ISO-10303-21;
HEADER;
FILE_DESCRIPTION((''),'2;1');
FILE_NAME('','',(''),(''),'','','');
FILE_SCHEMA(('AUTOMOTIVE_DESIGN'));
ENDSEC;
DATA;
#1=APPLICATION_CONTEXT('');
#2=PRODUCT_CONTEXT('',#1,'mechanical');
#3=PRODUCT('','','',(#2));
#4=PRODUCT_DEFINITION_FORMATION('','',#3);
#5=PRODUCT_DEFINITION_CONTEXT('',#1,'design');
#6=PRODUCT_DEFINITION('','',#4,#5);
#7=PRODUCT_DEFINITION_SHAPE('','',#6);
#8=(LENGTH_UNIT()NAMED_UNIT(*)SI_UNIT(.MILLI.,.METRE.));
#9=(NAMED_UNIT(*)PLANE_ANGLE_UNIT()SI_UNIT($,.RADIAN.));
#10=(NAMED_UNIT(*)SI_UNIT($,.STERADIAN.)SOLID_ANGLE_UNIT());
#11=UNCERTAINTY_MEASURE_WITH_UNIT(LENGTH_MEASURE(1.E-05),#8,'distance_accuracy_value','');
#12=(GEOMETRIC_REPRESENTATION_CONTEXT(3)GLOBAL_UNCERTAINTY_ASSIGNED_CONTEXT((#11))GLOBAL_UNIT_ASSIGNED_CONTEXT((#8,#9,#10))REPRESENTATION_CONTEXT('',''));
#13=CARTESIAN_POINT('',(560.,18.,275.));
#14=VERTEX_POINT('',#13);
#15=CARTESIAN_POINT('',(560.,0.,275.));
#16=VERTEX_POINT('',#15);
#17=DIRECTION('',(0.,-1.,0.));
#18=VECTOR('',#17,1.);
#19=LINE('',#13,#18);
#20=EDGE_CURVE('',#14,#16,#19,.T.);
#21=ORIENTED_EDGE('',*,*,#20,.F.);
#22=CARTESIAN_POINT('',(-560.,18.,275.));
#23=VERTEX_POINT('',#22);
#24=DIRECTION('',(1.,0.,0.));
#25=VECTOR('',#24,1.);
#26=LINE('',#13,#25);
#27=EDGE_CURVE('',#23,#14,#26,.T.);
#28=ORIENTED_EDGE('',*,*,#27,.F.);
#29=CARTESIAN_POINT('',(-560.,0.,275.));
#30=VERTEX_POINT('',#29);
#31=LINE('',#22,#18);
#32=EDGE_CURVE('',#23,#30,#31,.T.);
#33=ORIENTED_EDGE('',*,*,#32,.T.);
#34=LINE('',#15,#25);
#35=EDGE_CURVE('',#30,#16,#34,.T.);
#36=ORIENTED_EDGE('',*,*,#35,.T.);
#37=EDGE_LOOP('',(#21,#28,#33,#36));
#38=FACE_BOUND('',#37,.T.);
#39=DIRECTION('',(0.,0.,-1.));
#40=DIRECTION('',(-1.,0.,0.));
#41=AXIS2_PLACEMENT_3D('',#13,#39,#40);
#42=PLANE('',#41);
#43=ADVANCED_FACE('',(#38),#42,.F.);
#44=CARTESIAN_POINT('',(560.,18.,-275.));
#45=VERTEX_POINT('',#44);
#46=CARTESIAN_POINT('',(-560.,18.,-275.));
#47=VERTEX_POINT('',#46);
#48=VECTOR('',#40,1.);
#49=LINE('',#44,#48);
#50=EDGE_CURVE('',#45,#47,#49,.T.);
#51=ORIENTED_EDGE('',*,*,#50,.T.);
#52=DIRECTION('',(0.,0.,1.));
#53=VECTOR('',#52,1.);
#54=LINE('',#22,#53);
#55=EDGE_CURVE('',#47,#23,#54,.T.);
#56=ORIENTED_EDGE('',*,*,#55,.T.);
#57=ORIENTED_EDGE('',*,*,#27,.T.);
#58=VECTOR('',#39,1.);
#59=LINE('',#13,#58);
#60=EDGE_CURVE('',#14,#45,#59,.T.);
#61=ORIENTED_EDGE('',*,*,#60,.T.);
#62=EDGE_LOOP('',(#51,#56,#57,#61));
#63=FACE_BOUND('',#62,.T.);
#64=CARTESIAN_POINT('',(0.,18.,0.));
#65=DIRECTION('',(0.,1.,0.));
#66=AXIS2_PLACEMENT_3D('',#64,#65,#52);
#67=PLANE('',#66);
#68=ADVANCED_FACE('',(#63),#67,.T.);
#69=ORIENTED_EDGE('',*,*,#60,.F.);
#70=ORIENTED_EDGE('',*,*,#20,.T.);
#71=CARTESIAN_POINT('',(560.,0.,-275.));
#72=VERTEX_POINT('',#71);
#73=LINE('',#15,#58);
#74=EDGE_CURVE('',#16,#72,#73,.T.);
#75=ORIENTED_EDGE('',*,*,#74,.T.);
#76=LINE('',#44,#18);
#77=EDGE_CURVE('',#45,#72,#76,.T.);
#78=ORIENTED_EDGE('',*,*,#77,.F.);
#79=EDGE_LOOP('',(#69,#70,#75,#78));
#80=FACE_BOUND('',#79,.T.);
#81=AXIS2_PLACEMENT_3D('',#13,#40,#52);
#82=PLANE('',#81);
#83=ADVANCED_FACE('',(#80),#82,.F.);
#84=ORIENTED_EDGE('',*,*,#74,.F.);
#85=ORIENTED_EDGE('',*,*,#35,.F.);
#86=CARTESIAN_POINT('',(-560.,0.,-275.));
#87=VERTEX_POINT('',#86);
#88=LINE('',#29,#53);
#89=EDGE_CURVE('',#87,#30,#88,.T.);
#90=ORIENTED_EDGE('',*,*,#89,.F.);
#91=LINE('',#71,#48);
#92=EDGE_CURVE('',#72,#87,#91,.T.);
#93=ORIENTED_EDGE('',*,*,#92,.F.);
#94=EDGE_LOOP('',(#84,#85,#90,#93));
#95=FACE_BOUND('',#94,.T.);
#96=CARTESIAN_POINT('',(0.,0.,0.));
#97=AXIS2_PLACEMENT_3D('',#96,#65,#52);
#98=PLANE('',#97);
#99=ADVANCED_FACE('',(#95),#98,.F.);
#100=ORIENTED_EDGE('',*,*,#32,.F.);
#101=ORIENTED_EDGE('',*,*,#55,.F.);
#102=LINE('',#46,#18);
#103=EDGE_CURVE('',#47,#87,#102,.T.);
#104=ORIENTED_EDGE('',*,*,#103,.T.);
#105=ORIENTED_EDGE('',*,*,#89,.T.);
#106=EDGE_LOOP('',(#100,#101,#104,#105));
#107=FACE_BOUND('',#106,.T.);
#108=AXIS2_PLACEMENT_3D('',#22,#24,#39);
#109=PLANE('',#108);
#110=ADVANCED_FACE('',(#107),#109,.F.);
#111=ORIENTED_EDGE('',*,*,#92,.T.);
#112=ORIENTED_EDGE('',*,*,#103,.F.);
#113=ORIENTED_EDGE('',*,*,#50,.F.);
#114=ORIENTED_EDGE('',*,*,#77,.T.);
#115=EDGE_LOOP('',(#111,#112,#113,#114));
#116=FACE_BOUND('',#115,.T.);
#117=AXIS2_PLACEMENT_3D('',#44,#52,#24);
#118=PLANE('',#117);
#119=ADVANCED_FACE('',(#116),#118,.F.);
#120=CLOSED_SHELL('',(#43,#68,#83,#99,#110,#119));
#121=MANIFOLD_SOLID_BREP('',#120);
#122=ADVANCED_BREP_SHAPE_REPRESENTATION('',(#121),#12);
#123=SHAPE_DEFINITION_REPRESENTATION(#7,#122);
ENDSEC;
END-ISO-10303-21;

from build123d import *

# Parameters (mm, degrees)
SKETCH_1_W      = 1120
SKETCH_1_H      = 550
EXTRUDE_1_DEPTH = 18


with BuildPart() as part:
    # Эскиз1 → Бобышка-Вытянуть1 (new body)
    with BuildSketch(Plane(origin=(0, 0, 0), x_dir=(1, 0, 0), z_dir=(0, 1, 0))):
        Rectangle(SKETCH_1_W, SKETCH_1_H)
    extrude(amount=EXTRUDE_1_DEPTH)


solid = part.part
